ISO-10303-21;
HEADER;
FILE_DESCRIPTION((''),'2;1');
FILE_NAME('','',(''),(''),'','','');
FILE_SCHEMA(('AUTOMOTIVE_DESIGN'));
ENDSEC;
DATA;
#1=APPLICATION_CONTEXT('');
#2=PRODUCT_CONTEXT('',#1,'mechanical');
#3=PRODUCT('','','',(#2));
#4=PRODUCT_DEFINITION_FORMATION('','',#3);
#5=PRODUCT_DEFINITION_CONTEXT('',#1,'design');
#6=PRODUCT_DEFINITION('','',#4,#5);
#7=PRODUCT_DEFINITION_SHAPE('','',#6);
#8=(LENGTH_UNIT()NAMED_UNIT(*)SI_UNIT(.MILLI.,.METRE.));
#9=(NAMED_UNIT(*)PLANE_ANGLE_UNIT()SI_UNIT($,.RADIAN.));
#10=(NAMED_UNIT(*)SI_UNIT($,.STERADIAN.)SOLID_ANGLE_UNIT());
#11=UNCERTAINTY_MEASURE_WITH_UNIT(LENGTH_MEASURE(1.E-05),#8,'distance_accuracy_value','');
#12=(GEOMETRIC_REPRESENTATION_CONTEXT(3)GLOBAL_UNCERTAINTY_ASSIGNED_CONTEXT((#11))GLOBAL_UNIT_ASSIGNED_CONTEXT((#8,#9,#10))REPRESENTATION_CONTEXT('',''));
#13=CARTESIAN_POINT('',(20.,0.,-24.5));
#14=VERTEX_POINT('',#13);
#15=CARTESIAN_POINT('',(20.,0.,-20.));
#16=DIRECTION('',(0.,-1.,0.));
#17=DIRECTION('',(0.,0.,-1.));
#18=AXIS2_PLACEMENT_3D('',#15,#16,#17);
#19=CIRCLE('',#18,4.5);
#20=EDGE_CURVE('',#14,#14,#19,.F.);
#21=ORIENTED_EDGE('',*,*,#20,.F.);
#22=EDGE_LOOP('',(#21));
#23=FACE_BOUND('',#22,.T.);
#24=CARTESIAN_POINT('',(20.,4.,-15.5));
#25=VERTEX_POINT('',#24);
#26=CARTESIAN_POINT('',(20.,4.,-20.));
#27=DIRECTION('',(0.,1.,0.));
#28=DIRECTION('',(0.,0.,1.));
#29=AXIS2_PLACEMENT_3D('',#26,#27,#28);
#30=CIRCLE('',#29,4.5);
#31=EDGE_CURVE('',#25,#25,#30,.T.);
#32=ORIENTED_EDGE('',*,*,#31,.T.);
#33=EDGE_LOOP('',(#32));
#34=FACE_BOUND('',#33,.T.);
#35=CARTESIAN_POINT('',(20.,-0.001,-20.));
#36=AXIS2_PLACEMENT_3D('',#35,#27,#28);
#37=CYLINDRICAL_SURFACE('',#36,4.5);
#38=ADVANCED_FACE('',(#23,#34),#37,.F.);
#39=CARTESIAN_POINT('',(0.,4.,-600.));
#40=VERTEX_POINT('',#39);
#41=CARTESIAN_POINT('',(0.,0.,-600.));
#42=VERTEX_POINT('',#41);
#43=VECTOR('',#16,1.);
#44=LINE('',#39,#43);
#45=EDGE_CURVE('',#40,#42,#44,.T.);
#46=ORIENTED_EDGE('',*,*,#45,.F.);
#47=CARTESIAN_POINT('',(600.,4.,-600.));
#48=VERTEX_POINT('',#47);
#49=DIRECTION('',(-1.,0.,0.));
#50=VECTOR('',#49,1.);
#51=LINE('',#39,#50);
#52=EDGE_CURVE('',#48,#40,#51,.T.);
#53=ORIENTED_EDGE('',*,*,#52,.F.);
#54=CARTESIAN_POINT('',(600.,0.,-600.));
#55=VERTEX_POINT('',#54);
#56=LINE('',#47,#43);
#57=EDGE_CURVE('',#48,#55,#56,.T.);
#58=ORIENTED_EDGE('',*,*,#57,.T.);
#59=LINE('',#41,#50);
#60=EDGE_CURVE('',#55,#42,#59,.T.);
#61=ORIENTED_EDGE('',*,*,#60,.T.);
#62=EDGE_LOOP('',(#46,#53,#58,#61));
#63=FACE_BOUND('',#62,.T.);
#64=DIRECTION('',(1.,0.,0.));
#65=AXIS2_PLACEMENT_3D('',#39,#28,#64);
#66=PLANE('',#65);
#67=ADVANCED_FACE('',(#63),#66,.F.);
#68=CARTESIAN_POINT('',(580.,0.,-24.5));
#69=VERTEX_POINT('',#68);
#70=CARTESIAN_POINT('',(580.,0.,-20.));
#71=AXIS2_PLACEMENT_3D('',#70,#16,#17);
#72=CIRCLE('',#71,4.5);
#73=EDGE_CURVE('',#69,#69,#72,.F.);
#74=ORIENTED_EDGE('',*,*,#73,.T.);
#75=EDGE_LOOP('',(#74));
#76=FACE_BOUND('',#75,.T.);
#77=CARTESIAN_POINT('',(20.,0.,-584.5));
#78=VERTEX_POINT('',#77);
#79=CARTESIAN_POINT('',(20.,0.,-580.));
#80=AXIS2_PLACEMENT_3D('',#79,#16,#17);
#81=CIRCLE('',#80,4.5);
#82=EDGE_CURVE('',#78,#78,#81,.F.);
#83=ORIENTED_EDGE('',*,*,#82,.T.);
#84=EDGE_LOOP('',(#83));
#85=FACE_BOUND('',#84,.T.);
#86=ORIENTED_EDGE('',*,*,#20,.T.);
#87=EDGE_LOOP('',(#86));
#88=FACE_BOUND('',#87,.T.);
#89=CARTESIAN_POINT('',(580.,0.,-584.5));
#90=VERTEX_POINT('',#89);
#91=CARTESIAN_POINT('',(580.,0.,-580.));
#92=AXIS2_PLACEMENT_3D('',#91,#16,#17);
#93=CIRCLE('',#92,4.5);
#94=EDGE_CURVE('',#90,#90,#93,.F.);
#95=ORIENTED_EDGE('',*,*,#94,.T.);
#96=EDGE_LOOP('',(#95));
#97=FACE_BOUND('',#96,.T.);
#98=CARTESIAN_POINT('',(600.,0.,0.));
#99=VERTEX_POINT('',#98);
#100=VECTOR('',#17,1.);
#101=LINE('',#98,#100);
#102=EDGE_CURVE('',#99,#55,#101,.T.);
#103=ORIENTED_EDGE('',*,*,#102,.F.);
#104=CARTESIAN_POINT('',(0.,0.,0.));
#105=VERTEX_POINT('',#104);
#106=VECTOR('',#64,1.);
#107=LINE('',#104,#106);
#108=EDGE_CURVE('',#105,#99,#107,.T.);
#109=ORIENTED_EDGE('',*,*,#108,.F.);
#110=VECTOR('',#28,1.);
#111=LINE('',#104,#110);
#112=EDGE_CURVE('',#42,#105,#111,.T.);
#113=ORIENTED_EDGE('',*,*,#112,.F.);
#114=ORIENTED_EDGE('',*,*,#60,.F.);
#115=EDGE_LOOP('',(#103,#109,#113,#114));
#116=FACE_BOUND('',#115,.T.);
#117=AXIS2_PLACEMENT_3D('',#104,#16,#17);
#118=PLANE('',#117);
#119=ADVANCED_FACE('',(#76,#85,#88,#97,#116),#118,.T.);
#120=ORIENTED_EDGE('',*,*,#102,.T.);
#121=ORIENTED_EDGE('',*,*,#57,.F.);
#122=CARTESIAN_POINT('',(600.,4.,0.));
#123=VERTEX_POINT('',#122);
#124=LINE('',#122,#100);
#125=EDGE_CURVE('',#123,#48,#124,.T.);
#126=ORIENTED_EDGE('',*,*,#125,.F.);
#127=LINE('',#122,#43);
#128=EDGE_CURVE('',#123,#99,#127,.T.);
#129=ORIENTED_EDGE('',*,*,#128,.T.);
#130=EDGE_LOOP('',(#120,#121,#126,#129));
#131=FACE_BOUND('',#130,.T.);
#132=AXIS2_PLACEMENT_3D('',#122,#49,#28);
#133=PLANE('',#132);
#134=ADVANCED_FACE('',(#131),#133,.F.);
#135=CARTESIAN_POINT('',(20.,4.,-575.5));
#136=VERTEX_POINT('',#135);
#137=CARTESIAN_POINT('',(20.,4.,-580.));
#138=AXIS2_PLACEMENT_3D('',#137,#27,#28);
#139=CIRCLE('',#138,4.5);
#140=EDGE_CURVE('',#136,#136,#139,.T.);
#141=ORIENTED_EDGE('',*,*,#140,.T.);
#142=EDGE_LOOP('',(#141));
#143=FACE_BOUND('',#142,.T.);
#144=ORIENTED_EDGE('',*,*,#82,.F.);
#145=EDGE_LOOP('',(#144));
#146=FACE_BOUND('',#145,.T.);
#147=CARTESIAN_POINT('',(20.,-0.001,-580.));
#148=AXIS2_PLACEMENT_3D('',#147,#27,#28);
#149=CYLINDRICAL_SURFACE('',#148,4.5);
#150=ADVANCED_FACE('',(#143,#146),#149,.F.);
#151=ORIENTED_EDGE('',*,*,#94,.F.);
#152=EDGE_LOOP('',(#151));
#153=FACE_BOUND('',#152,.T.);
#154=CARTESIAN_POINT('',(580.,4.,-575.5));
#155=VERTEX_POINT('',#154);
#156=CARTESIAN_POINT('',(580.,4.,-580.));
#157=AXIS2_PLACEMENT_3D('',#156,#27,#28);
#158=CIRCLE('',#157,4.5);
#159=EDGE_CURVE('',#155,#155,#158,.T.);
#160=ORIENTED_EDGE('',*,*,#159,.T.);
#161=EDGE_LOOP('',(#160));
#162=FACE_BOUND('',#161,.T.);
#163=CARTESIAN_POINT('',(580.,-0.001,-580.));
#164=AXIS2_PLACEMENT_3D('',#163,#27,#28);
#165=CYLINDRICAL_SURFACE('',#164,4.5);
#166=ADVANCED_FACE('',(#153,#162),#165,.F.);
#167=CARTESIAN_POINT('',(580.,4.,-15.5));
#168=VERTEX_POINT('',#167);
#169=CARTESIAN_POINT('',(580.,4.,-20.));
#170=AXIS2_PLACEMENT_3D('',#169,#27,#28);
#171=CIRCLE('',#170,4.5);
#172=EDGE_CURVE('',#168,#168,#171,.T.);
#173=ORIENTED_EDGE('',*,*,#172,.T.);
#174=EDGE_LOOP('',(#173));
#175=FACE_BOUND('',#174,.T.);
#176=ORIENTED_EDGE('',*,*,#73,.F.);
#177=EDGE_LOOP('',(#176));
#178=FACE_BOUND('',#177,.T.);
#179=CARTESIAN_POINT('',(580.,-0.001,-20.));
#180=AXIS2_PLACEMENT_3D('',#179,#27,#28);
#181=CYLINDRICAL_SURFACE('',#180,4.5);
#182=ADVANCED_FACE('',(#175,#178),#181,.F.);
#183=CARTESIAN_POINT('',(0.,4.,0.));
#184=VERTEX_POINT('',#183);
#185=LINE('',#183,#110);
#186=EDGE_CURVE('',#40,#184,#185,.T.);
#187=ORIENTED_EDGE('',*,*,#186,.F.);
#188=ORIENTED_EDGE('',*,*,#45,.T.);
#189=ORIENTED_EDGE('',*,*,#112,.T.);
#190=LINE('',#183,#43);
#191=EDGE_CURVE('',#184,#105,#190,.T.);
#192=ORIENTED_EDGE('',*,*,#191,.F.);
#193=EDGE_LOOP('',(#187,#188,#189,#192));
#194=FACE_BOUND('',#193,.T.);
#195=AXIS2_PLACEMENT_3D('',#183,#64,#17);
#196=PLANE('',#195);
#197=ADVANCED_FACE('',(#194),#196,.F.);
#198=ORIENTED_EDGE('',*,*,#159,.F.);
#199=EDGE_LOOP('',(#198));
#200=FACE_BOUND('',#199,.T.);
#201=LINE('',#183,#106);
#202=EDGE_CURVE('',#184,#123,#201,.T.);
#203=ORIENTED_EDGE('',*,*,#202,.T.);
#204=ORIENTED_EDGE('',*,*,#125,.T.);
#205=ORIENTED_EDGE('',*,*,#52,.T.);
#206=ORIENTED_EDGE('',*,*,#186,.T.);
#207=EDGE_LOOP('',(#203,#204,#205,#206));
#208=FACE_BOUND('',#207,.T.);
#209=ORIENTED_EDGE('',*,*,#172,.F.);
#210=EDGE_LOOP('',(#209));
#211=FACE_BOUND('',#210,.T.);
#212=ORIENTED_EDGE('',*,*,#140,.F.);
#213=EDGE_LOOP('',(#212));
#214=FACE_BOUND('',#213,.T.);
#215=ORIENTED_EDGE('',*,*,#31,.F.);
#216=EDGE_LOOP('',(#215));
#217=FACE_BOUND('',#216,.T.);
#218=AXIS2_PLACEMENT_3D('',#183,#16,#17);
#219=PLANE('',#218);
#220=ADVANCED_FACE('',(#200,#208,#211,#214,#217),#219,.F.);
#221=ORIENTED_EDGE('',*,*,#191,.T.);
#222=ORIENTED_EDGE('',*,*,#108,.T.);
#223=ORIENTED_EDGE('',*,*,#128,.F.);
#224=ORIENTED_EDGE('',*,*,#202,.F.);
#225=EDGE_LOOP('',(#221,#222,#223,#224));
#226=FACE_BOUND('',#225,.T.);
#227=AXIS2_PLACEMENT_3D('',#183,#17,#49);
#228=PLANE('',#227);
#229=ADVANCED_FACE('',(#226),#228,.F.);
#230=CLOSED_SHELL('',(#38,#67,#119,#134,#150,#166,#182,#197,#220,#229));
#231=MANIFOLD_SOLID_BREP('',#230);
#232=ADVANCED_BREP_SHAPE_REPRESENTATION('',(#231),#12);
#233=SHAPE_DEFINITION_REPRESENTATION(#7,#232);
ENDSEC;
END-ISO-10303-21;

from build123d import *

# Parameters (mm, degrees)
SKETCH1_W           = 600
SKETCH1_H           = 600
BOSS_EXTRUDE1_DEPTH = 4
CUT_EXTRUDE1_REACH  = 850.538
SKETCH2_R           = 4.5


with BuildPart() as part:
    # Sketch1 → Boss-Extrude1 (new body)
    with BuildSketch(Plane(origin=(0, 0, 0), x_dir=(1, 0, 0), z_dir=(0, 1, 0))):
        with Locations((300, 300)):
            Rectangle(SKETCH1_W, SKETCH1_H)
    extrude(amount=BOSS_EXTRUDE1_DEPTH)

    # Sketch2 → Cut-Extrude1 (cut, up to next)
    with BuildSketch(Plane(origin=(0, 4, 0), x_dir=(1, 0, 0), z_dir=(0, 1, 0)), mode=Mode.PRIVATE) as cut_extrude1_sk1:
        with Locations(Location((20, 580, 0), (0, 0, 270))):
            Circle(SKETCH2_R)
    cut_extrude1_tool1 = extrude(cut_extrude1_sk1.sketch, amount=-CUT_EXTRUDE1_REACH, mode=Mode.PRIVATE) & part.part
    # Sketch2 → Cut-Extrude1 (cut, up to next)
    with BuildSketch(Plane(origin=(0, 4, 0), x_dir=(1, 0, 0), z_dir=(0, 1, 0)), mode=Mode.PRIVATE) as cut_extrude1_sk2:
        with Locations(Location((580, 580, 0), (0, 0, 270))):
            Circle(SKETCH2_R)
    cut_extrude1_tool2 = extrude(cut_extrude1_sk2.sketch, amount=-CUT_EXTRUDE1_REACH, mode=Mode.PRIVATE) & part.part
    # Sketch2 → Cut-Extrude1 (cut, up to next)
    with BuildSketch(Plane(origin=(0, 4, 0), x_dir=(1, 0, 0), z_dir=(0, 1, 0)), mode=Mode.PRIVATE) as cut_extrude1_sk3:
        with Locations(Location((580, 20, 0), (0, 0, 270))):
            Circle(SKETCH2_R)
    cut_extrude1_tool3 = extrude(cut_extrude1_sk3.sketch, amount=-CUT_EXTRUDE1_REACH, mode=Mode.PRIVATE) & part.part
    # Sketch2 → Cut-Extrude1 (cut, up to next)
    with BuildSketch(Plane(origin=(0, 4, 0), x_dir=(1, 0, 0), z_dir=(0, 1, 0)), mode=Mode.PRIVATE) as cut_extrude1_sk4:
        with Locations(Location((20, 20, 0), (0, 0, 270))):
            Circle(SKETCH2_R)
    cut_extrude1_tool4 = extrude(cut_extrude1_sk4.sketch, amount=-CUT_EXTRUDE1_REACH, mode=Mode.PRIVATE) & part.part
    add(cut_extrude1_tool1.solids().sort_by_distance((20, 4, -580))[0], mode=Mode.SUBTRACT)
    add(cut_extrude1_tool2.solids().sort_by_distance((580, 4, -580))[0], mode=Mode.SUBTRACT)
    add(cut_extrude1_tool3.solids().sort_by_distance((580, 4, -20))[0], mode=Mode.SUBTRACT)
    add(cut_extrude1_tool4.solids().sort_by_distance((20, 4, -20))[0], mode=Mode.SUBTRACT)


solid = part.part
